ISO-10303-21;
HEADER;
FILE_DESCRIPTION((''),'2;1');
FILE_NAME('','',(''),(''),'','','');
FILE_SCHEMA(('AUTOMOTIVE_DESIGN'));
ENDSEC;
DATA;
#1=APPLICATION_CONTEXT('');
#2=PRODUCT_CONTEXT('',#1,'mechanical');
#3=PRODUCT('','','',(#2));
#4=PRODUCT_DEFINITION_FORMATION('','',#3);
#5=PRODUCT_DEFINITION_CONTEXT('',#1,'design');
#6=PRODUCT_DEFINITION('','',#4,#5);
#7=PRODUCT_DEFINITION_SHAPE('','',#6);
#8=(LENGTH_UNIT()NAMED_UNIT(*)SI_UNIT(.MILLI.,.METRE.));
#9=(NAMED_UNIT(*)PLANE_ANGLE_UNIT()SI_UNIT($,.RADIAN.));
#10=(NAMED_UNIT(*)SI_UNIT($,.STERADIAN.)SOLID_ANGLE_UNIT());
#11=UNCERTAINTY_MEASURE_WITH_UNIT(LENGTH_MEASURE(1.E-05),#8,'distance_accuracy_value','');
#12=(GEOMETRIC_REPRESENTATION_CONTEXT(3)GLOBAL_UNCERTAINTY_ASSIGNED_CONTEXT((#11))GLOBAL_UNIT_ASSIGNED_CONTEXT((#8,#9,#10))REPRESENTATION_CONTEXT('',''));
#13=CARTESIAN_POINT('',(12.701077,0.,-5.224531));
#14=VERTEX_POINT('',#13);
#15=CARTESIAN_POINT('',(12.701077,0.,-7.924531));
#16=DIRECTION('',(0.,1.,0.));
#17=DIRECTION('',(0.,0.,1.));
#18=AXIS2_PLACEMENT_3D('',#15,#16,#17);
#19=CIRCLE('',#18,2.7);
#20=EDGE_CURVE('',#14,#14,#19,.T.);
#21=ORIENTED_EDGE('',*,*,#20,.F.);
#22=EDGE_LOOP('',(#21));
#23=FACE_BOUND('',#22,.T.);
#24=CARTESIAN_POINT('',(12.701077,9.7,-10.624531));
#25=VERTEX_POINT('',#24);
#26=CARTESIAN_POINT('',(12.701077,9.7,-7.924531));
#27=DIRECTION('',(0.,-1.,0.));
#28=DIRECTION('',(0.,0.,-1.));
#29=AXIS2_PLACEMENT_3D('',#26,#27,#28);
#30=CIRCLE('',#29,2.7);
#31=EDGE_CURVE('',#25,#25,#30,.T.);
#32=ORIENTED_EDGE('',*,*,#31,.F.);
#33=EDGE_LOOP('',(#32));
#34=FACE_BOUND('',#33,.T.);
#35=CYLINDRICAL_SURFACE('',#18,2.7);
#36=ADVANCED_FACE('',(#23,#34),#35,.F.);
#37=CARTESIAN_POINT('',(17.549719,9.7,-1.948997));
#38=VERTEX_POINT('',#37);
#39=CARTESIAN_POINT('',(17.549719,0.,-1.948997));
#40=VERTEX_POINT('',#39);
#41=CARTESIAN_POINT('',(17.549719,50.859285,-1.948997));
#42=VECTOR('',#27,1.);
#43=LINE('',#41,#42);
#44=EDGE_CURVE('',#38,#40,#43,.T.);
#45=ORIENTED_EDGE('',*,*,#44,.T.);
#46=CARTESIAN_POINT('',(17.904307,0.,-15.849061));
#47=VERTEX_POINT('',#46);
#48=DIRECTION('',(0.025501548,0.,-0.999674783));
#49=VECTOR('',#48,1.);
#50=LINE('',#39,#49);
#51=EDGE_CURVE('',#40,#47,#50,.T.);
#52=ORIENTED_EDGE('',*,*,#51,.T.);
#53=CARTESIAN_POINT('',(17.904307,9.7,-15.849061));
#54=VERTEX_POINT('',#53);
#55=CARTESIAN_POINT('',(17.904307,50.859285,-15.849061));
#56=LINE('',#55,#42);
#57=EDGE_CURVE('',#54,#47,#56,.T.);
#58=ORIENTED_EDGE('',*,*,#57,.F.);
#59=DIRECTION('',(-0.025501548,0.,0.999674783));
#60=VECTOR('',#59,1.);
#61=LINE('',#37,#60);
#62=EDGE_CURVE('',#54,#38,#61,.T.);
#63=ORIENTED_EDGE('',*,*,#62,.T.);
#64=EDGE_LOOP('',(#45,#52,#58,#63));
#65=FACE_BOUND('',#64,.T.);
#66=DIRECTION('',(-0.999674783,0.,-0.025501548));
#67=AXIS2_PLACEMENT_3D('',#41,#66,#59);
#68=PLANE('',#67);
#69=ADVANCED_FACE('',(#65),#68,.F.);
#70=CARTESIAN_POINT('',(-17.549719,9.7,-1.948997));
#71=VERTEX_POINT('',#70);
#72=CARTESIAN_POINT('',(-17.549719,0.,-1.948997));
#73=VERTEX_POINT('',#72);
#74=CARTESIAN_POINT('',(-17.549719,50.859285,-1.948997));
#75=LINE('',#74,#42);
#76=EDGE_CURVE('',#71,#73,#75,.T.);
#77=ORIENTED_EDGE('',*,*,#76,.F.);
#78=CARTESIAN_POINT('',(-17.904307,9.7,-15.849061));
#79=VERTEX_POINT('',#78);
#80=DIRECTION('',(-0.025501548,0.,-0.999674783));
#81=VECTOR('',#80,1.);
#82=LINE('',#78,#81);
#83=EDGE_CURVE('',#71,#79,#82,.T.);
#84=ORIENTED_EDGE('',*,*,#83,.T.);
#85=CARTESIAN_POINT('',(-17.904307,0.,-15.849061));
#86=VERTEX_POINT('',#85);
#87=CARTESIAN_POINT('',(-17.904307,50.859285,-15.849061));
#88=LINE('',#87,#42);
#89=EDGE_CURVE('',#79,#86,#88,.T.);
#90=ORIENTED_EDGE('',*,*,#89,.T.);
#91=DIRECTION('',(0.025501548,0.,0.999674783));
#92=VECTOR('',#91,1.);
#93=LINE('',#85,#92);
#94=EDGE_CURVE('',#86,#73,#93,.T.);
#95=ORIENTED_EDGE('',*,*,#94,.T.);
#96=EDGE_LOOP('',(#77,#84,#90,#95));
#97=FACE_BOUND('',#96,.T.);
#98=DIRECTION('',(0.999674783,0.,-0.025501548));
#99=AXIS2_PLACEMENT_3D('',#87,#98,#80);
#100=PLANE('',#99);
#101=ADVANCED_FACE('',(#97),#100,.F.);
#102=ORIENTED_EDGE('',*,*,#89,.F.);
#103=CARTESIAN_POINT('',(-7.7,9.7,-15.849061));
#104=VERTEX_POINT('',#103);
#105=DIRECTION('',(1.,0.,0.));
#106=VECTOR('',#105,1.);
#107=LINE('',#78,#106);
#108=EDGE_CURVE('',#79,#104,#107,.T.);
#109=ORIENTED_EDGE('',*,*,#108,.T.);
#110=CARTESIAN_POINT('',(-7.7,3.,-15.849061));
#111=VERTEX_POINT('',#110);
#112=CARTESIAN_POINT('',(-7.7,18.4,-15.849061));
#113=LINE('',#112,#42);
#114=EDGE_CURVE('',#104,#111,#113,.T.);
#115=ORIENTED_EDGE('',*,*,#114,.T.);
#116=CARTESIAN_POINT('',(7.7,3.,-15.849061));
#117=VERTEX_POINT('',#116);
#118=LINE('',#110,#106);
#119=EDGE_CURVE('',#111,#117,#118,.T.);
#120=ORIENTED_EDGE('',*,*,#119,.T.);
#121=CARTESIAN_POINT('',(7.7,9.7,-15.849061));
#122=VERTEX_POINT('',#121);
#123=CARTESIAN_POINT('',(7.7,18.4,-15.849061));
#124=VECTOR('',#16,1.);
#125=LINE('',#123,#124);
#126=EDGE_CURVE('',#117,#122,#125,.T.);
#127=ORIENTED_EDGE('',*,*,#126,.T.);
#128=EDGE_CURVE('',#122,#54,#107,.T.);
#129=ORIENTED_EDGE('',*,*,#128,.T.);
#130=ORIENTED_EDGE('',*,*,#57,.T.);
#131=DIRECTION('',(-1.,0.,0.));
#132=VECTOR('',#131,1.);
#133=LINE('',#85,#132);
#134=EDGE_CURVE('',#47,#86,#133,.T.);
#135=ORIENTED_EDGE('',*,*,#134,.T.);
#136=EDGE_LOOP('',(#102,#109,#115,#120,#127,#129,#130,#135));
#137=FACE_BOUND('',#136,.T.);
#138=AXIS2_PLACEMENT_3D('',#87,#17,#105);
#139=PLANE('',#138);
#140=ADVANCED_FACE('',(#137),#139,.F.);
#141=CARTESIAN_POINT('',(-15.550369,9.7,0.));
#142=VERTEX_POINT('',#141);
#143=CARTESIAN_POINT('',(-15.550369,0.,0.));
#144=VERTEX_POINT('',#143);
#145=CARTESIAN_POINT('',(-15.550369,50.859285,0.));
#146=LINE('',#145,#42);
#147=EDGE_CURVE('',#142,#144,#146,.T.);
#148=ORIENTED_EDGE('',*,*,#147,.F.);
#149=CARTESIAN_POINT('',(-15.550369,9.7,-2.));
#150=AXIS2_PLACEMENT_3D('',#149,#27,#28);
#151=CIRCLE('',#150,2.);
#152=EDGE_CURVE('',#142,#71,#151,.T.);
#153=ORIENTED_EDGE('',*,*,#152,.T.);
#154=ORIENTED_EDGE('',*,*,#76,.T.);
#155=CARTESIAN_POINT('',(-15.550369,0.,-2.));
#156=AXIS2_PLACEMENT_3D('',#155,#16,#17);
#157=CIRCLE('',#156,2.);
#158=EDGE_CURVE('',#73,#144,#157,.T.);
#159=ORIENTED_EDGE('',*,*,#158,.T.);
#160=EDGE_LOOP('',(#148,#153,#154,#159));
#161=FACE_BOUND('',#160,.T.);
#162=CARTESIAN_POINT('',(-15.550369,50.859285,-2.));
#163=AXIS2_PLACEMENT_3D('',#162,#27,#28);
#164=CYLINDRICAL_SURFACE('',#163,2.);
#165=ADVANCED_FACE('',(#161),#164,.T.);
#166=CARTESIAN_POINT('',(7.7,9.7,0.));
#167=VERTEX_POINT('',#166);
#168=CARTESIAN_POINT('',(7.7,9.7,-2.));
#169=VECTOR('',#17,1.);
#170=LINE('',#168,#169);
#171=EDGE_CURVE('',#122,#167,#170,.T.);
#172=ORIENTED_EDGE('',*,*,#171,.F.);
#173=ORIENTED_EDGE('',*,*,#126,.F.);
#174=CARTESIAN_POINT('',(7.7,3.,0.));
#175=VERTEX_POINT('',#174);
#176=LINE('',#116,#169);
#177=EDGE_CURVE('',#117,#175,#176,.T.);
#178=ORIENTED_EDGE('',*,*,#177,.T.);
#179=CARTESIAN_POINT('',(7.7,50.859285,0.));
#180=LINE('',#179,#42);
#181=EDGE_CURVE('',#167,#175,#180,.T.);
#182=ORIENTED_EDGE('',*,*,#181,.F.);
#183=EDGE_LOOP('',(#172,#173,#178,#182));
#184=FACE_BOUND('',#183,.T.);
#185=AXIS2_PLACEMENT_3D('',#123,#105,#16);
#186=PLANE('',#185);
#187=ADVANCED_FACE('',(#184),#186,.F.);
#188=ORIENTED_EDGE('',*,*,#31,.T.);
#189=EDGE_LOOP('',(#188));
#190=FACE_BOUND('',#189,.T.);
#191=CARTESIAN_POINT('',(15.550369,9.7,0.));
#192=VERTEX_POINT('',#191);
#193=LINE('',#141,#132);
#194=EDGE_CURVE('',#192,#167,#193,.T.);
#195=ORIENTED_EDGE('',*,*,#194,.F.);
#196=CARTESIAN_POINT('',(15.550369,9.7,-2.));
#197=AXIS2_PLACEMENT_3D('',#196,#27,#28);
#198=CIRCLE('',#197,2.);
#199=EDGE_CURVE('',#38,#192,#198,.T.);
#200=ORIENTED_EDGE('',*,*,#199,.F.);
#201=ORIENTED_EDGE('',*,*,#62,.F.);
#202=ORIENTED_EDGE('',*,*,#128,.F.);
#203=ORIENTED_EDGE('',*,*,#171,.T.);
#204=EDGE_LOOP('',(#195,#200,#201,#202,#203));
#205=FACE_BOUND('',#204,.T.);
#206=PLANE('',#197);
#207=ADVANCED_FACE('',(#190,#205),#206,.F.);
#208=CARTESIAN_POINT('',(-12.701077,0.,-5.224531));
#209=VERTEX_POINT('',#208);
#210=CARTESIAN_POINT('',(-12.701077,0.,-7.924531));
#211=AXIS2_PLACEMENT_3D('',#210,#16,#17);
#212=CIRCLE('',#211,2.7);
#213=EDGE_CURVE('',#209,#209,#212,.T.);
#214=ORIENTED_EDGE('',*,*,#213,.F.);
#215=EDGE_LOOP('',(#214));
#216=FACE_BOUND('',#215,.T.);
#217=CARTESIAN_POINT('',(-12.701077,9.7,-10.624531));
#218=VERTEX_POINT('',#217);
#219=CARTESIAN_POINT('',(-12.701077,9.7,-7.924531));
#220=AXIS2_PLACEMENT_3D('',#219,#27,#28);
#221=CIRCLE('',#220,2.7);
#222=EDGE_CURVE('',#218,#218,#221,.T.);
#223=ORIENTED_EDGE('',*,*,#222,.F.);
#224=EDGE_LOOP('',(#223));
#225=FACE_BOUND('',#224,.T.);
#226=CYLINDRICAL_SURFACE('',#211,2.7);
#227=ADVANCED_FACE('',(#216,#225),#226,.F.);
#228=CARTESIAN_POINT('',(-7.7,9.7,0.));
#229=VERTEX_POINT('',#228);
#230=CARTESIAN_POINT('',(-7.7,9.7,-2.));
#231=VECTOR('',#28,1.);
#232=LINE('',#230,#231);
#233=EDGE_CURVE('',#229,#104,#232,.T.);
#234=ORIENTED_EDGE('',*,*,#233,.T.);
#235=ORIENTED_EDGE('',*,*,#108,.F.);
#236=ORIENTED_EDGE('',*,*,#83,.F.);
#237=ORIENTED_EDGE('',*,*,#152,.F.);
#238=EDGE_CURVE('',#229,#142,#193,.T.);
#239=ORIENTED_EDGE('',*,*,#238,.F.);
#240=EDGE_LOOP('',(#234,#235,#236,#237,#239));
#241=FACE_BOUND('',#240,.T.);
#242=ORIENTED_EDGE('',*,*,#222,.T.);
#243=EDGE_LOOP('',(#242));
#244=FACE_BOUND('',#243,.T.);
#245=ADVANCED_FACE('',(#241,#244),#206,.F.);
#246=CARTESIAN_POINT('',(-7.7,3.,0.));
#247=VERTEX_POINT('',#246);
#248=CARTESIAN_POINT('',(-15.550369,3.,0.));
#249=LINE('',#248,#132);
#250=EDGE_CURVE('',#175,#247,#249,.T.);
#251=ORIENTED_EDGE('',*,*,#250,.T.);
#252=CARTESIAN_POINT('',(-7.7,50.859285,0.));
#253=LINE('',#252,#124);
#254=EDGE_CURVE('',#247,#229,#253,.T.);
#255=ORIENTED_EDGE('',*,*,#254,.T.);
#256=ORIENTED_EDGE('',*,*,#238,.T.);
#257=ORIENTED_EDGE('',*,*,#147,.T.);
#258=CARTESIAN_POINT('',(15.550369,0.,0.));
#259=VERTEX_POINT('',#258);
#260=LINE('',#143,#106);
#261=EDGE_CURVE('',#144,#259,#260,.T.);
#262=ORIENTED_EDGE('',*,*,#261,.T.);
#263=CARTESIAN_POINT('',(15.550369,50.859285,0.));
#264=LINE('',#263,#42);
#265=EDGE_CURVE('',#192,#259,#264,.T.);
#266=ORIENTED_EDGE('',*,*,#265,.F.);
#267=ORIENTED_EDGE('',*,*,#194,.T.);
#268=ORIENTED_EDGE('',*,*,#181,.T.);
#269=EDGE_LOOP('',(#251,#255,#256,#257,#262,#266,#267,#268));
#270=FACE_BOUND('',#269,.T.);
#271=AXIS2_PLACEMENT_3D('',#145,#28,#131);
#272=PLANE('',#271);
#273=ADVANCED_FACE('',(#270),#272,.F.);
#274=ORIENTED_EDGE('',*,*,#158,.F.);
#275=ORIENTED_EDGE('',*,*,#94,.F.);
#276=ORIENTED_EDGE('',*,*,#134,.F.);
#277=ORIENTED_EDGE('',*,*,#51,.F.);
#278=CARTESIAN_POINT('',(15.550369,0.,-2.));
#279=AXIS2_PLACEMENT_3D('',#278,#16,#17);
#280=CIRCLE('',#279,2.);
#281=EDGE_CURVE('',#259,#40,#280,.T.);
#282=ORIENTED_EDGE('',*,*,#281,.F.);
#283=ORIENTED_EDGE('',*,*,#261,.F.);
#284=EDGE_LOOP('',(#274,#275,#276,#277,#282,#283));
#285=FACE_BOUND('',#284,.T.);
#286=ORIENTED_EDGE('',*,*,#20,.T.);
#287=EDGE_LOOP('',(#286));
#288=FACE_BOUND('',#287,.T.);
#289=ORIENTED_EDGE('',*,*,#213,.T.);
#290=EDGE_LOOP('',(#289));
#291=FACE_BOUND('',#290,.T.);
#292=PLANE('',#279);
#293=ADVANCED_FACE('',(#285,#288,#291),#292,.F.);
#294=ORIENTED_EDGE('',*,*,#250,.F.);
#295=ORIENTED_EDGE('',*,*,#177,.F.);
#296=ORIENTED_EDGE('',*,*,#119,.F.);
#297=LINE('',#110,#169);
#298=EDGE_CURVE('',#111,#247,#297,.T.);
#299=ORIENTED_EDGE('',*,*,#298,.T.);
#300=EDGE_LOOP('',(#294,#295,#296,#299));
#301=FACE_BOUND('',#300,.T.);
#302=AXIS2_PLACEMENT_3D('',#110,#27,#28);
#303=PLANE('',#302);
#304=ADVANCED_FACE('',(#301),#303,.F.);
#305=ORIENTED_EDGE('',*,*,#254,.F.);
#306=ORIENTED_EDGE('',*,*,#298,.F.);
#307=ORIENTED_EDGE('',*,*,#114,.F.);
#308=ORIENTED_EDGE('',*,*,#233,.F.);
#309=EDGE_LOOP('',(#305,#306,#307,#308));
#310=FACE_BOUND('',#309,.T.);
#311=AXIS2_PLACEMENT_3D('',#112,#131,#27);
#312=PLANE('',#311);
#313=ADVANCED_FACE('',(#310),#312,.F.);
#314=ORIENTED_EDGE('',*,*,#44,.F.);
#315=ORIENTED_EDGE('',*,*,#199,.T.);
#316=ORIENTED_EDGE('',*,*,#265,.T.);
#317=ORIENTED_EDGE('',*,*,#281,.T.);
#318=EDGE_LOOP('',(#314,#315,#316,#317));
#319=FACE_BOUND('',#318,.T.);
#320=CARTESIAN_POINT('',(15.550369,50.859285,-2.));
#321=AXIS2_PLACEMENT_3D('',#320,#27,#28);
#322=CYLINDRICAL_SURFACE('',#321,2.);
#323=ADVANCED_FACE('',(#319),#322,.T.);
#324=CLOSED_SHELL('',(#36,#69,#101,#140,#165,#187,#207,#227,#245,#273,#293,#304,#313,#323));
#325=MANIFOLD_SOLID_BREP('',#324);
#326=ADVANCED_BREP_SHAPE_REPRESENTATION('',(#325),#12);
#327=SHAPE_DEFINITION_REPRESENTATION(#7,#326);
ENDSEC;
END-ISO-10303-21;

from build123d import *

# Parameters (mm, degrees)
BOSS_EXTRUDE2_DEPTH     = 9.7
CUT_EXTRUDE1_DEPTH      = 26.804010416
CUT_EXTRUDE1_DEPTH_BACK = 26.804010416
SKETCH4_W               = 15.4
SKETCH4_H               = 15.4
CUT_EXTRUDE2_DEPTH      = 26.804010416
CUT_EXTRUDE2_DEPTH_BACK = 26.804010416
SKETCH5_R               = 2.7


with BuildPart() as part:
    # Sketch3 → Boss-Extrude2 (new body)
    with BuildSketch(Plane(origin=(0, 0, 0), x_dir=(1, 0, 0), z_dir=(0, 1, 0))):
        with BuildLine():
            Line((-17.904307086, 15.849061213), (17.904307086, 15.849061213))
            Line((17.904307086, 15.849061213), (17.549718608, 1.948996904))
            ThreePointArc((17.549718608, 1.948996904), (16.946433835, 0.56786764), (15.550369043, 0))
            Line((15.550369043, 0), (-15.550369043, 0))
            ThreePointArc((-15.550369043, 0), (-16.946433835, 0.56786764), (-17.549718608, 1.948996904))
            Line((-17.549718608, 1.948996904), (-17.904307086, 15.849061213))
        make_face()
    extrude(amount=BOSS_EXTRUDE2_DEPTH)

    # Sketch4 → Cut-Extrude1 (cut, two sides: drawn at the far end of the back side and taken through both)
    with BuildSketch(Plane.XY.offset(-CUT_EXTRUDE1_DEPTH_BACK)):
        with Locations((0, 10.7)):
            Rectangle(SKETCH4_W, SKETCH4_H)
    extrude(amount=CUT_EXTRUDE1_DEPTH + CUT_EXTRUDE1_DEPTH_BACK, mode=Mode.SUBTRACT)

    # Sketch5 → Cut-Extrude2 (cut, two sides: drawn at the far end of the back side and taken through both)
    with BuildSketch(Plane(origin=(0, 9.7, 0), x_dir=(1, 0, 0), z_dir=(0, 1, 0)).offset(-CUT_EXTRUDE2_DEPTH_BACK)):
        with Locations(Location((-12.701076771, 7.924530607, 0), (0, 0, 270))):
            Circle(SKETCH5_R)
        with Locations(Location((12.701076771, 7.924530607, 0), (0, 0, 270))):
            Circle(SKETCH5_R)
    extrude(amount=CUT_EXTRUDE2_DEPTH + CUT_EXTRUDE2_DEPTH_BACK, mode=Mode.SUBTRACT)


solid = part.part
